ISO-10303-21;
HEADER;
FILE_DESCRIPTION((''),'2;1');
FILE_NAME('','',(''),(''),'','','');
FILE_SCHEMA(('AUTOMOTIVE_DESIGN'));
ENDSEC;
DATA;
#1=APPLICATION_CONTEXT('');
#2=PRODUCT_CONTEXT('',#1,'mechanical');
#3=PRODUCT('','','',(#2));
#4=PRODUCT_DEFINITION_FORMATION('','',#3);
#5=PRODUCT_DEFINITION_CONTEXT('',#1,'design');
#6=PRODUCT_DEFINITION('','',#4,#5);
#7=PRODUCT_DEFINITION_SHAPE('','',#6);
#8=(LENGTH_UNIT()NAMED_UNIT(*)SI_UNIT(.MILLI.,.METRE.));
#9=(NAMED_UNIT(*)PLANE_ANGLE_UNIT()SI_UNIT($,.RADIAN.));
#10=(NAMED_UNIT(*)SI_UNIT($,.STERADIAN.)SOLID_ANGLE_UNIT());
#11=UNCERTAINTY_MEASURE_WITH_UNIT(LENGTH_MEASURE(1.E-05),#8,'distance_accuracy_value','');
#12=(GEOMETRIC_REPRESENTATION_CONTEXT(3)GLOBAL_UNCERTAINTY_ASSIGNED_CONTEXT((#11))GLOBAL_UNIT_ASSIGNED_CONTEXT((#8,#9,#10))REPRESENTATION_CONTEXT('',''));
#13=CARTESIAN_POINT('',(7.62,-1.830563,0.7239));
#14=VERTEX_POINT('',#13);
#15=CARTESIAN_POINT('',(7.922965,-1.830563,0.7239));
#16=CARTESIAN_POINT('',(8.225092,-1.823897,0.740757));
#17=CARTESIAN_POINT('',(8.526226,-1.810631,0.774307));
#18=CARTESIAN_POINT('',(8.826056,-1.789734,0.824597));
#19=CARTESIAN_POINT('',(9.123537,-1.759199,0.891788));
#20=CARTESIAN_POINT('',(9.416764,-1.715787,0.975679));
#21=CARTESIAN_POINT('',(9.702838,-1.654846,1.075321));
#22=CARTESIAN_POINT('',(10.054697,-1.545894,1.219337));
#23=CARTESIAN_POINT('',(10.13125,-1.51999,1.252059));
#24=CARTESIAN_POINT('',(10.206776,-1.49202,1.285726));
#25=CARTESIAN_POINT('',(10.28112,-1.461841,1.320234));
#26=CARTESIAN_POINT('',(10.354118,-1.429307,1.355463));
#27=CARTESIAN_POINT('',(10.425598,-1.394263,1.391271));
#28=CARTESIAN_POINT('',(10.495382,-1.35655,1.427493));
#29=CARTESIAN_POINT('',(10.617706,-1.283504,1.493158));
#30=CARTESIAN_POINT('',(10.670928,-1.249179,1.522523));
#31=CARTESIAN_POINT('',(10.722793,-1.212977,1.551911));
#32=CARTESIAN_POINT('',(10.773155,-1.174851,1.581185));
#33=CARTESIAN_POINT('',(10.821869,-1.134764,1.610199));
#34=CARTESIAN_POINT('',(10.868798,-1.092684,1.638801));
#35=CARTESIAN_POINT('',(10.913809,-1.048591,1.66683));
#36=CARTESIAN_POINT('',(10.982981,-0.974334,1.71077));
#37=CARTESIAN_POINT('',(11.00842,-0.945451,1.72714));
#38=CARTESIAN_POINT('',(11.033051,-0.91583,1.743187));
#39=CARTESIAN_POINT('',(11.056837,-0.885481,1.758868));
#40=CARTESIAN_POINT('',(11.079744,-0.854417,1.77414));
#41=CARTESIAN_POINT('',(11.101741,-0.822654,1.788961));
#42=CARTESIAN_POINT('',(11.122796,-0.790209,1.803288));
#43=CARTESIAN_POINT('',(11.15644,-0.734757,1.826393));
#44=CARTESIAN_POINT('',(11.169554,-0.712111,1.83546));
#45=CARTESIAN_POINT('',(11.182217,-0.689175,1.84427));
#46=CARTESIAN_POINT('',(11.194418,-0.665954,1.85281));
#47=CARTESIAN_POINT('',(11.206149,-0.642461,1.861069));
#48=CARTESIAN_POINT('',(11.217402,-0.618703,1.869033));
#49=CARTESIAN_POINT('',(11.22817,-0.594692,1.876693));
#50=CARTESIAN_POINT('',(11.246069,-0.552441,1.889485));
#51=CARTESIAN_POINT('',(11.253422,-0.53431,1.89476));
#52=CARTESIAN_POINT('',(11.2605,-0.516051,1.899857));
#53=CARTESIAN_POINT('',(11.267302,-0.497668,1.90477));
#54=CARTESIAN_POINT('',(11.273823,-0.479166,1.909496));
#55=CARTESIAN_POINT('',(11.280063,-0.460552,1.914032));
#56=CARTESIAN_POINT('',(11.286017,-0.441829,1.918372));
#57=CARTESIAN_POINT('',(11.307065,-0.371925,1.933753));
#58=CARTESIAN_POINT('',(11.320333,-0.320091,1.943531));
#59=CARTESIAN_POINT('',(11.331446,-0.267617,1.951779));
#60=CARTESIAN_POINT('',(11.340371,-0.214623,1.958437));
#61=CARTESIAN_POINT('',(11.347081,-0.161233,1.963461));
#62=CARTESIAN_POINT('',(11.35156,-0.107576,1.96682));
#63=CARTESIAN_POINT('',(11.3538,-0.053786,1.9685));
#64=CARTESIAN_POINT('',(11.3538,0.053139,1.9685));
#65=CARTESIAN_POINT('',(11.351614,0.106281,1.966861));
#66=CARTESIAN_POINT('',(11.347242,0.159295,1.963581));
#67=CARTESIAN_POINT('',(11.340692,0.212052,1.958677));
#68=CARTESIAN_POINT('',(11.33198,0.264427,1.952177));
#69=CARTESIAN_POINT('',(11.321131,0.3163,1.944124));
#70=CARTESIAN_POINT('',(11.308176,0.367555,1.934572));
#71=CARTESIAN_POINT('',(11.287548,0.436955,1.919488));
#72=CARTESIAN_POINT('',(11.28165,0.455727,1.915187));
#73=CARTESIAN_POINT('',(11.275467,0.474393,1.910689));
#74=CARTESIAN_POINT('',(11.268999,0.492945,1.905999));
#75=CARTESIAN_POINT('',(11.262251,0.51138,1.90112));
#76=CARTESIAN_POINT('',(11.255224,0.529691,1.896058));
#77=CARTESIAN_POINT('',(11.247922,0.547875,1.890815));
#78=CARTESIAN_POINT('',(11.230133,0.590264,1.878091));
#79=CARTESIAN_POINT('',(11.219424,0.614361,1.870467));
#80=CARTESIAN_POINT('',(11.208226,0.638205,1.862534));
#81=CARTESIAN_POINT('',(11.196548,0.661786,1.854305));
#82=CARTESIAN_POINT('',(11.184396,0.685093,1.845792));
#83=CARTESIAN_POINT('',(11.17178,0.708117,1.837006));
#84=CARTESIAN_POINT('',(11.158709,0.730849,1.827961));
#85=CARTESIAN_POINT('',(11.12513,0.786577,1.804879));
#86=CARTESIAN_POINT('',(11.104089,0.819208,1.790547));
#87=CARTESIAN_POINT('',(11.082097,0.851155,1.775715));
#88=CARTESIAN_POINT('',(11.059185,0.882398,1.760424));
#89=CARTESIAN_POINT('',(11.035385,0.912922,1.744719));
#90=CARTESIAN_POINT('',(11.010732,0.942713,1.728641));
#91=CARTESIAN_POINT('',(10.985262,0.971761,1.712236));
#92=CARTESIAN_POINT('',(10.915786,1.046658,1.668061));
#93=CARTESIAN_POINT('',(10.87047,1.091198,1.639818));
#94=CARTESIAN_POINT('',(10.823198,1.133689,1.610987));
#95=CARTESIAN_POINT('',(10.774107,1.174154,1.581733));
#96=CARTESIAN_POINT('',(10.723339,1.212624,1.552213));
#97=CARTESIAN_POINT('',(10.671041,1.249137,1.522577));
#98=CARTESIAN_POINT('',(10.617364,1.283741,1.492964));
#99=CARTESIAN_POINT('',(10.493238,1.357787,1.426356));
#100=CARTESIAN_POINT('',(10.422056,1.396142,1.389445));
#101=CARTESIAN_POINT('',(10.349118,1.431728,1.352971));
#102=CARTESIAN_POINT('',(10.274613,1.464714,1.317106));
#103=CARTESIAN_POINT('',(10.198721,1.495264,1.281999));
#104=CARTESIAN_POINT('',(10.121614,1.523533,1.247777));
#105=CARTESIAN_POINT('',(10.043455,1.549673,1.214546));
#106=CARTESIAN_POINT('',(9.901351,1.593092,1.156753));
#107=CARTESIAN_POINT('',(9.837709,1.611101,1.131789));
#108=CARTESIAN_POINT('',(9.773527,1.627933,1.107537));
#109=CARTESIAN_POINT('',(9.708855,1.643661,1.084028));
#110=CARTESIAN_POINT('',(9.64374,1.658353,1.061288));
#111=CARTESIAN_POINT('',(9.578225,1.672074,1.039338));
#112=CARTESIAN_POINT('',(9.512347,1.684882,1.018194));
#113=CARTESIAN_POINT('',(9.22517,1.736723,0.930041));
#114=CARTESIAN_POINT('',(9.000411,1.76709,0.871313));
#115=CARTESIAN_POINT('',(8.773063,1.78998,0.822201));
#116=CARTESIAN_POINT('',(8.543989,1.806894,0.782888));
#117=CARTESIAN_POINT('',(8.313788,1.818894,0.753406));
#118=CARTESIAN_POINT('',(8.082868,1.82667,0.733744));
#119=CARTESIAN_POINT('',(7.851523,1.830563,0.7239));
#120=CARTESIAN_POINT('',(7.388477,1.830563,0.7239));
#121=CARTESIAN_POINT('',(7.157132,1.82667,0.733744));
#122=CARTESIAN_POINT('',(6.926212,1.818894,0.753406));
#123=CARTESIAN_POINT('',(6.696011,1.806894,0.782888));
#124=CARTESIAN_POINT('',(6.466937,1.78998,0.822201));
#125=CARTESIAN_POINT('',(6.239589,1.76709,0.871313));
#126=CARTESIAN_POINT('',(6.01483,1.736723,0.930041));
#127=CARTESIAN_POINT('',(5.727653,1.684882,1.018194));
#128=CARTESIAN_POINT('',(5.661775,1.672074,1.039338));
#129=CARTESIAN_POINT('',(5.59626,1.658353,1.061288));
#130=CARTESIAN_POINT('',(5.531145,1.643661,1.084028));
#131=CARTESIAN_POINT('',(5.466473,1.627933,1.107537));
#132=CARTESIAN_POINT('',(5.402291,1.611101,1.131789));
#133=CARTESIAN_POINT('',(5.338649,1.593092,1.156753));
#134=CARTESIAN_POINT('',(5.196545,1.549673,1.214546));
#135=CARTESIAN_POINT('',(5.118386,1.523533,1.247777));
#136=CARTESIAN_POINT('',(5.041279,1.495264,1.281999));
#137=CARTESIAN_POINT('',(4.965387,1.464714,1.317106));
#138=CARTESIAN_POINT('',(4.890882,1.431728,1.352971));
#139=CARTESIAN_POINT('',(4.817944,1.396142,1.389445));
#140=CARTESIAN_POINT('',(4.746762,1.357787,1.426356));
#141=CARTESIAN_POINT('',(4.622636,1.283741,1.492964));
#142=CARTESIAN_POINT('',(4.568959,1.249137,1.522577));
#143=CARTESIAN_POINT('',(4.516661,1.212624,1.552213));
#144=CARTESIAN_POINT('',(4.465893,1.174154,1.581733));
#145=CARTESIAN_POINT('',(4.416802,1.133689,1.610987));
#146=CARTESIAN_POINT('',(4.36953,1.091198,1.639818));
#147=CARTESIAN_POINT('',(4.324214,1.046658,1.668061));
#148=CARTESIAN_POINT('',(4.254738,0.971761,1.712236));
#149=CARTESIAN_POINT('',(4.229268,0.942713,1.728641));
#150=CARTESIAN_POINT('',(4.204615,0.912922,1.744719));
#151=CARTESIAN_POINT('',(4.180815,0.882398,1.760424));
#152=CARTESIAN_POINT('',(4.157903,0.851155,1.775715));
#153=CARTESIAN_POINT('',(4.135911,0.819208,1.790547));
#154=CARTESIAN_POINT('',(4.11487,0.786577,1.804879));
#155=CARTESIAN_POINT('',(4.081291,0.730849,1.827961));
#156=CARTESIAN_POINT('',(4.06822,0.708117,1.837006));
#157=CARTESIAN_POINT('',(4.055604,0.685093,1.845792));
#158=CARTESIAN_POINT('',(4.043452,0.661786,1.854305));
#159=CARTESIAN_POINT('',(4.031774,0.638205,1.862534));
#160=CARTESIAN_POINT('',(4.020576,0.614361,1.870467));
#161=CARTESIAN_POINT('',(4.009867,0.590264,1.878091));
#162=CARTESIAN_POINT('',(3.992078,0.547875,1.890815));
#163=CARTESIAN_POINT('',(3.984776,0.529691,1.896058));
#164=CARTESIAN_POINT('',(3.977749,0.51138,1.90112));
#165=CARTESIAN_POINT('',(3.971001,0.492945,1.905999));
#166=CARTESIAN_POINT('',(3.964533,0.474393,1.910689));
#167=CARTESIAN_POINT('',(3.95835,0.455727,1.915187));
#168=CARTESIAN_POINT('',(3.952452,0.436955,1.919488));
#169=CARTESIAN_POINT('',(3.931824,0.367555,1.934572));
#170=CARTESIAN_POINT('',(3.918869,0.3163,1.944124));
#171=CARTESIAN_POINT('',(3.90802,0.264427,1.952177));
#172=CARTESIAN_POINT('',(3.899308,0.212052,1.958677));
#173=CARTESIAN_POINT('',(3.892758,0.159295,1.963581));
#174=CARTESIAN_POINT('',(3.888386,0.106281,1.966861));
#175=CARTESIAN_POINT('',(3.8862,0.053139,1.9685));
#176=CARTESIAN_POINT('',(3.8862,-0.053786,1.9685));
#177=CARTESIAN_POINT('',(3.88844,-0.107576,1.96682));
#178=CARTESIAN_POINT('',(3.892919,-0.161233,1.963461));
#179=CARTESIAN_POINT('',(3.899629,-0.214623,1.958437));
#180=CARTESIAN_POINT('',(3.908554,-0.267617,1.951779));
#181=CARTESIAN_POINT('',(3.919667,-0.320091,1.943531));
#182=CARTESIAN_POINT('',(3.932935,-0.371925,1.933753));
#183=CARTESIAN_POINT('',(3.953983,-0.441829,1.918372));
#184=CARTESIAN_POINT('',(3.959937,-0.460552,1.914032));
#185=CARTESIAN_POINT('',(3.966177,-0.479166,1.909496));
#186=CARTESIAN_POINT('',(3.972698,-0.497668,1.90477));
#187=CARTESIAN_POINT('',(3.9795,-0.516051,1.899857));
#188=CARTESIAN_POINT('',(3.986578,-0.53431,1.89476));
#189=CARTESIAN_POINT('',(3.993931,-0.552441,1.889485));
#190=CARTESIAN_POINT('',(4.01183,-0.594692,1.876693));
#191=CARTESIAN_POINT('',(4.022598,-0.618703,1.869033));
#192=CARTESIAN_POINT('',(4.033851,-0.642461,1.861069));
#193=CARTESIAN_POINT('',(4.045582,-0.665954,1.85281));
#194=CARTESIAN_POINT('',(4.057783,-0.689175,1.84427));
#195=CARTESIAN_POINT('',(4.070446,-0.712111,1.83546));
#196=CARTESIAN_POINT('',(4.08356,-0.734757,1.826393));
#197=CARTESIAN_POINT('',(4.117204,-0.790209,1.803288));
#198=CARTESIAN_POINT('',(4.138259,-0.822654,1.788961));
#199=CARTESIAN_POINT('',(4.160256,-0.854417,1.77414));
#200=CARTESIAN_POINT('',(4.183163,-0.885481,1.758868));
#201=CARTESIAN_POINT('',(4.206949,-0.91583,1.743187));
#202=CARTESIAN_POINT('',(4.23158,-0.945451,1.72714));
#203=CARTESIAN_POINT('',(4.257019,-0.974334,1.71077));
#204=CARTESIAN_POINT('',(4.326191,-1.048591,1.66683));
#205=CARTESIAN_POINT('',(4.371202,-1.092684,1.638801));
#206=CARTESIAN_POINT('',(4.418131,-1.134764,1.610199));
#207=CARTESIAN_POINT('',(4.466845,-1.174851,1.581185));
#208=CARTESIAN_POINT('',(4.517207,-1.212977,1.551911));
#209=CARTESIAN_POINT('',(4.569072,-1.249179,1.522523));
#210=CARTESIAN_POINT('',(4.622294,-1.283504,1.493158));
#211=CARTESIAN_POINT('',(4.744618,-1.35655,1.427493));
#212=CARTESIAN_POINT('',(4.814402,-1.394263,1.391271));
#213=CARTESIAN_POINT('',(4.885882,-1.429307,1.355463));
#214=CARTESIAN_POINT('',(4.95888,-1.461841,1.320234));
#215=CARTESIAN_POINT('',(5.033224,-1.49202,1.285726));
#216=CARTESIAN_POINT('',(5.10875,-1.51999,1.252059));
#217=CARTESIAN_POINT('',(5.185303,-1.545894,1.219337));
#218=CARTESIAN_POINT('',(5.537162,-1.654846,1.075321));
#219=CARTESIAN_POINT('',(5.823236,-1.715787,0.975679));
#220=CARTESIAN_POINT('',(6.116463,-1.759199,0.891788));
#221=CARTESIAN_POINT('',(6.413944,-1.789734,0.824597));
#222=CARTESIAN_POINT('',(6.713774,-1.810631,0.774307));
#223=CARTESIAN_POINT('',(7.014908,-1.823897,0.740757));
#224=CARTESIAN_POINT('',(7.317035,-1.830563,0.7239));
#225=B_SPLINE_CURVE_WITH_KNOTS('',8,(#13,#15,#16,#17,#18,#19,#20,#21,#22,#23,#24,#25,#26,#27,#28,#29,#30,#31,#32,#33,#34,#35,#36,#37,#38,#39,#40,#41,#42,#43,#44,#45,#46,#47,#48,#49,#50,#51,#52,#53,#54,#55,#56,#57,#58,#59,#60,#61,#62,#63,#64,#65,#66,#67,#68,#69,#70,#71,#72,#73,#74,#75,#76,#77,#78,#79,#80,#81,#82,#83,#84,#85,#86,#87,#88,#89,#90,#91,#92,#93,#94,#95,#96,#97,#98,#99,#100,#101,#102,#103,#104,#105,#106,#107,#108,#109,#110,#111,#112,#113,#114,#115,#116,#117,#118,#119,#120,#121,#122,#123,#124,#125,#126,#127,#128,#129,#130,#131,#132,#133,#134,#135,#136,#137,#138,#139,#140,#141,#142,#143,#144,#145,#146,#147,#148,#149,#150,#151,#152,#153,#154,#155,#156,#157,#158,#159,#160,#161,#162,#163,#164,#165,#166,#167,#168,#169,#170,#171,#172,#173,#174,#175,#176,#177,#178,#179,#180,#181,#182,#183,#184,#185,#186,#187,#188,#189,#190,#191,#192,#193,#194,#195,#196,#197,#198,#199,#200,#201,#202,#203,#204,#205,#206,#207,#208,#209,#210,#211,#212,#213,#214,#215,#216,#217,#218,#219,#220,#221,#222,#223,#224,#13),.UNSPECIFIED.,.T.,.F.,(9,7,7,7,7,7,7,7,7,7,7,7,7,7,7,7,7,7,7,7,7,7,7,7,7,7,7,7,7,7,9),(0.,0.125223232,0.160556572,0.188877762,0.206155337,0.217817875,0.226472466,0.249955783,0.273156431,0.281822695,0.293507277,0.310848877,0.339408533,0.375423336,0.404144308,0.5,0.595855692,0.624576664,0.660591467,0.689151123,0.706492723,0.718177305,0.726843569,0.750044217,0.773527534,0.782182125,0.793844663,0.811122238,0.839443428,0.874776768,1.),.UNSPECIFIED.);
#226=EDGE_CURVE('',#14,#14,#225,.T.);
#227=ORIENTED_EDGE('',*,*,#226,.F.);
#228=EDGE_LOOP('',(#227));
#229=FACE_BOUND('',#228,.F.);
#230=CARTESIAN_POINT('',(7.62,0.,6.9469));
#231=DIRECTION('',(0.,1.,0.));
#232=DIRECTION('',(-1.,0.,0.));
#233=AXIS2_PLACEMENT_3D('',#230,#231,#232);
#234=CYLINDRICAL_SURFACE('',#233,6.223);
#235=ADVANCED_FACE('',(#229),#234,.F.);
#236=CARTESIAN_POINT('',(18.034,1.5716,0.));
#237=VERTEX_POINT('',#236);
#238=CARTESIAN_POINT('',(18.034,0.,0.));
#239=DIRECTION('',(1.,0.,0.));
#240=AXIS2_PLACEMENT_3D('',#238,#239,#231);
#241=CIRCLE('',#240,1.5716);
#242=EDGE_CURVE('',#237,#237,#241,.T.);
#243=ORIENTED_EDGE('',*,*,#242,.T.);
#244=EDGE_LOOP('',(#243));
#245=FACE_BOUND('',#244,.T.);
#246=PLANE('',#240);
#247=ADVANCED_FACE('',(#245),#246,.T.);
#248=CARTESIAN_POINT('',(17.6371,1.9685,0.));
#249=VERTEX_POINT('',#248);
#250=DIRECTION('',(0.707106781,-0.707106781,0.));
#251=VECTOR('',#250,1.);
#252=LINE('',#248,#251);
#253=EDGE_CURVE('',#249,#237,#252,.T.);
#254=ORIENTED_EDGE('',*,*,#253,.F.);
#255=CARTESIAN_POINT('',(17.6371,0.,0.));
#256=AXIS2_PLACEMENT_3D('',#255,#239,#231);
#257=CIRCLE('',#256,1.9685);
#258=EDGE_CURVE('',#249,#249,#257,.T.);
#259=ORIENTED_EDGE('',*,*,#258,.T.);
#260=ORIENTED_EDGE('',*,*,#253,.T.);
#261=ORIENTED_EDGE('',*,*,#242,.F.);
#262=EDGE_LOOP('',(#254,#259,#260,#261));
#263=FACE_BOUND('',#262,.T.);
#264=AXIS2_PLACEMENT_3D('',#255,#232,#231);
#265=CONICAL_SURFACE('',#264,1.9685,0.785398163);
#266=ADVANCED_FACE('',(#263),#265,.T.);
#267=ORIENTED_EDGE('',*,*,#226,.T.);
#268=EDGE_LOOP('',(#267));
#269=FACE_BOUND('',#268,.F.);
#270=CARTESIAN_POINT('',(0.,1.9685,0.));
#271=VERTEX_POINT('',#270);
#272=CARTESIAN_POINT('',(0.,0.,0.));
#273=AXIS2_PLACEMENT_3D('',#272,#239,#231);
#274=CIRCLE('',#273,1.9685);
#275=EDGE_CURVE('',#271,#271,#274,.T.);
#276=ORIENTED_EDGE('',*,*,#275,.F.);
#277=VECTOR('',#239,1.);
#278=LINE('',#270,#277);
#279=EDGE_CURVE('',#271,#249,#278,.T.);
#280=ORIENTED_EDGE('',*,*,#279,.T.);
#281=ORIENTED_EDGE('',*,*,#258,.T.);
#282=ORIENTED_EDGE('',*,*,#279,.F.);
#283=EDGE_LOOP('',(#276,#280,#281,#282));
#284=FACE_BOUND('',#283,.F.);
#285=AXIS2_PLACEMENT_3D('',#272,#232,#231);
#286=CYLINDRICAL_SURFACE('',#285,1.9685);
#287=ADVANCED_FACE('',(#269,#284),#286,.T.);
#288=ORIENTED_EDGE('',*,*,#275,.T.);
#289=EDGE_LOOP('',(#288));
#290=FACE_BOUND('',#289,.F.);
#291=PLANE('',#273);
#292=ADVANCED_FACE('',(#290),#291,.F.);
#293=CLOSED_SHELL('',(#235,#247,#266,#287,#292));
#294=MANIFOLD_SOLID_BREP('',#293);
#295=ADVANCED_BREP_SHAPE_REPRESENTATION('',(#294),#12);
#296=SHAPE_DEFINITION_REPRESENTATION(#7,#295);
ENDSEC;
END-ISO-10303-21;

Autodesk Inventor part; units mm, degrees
ref_plane "YZ Plane" through (0, 0, 0) normal (1, 0, 0) x (0, 1, 0)
ref_plane "XZ Plane" through (0, 0, 0) normal (0, 1, 0) x (-1, 0, 0)
ref_plane "XY Plane" through (0, 0, 0) normal (0, 0, 1) x (1, 0, 0)
sketch "Sketch1" plane through (0, 0, 0) normal (1, 0, 0) x (0, 1, 0)
  circle A0 centre (0, 0) radius 1.9685
  dimension "d0" = 3.937
extrude "Extrusion1" add sketch "Sketch1" along normal blind 18.034
thread "Thread1" size "8-32 UNC" class "2A" standard "ANSI Unified Screw Threads" length 5.08
sketch "Sketch2" plane through (0, 0, 0) normal (0, 1, 0) x (-1, 0, 0)
  line L0 (-18.034, 1.9685) -> (0, 1.9685) projected
  line L1 (0, 1.9685) -> (0, -1.9685) projected
  line L2 (0, -1.9685) -> (-18.034, -1.9685) projected
  line L3 (-18.034, -1.9685) -> (-18.034, 1.9685) projected
  circle A0 centre (-7.62, 6.9469) radius 6.223
  point P0 (0, 0)
  dimension "d6" = 7.62
  dimension "d7" = 4.9784
  dimension "d8" = 12.446
extrude "Extrusion2" cut sketch "Sketch2" along normal through all both and the other way through all contours A0 L0 | L0 A0
chamfer "Chamfer1" distance 0.3969 angle 45 1 edges at (18.034, -1.9685, 0)
properties part number "Screw Lock"
